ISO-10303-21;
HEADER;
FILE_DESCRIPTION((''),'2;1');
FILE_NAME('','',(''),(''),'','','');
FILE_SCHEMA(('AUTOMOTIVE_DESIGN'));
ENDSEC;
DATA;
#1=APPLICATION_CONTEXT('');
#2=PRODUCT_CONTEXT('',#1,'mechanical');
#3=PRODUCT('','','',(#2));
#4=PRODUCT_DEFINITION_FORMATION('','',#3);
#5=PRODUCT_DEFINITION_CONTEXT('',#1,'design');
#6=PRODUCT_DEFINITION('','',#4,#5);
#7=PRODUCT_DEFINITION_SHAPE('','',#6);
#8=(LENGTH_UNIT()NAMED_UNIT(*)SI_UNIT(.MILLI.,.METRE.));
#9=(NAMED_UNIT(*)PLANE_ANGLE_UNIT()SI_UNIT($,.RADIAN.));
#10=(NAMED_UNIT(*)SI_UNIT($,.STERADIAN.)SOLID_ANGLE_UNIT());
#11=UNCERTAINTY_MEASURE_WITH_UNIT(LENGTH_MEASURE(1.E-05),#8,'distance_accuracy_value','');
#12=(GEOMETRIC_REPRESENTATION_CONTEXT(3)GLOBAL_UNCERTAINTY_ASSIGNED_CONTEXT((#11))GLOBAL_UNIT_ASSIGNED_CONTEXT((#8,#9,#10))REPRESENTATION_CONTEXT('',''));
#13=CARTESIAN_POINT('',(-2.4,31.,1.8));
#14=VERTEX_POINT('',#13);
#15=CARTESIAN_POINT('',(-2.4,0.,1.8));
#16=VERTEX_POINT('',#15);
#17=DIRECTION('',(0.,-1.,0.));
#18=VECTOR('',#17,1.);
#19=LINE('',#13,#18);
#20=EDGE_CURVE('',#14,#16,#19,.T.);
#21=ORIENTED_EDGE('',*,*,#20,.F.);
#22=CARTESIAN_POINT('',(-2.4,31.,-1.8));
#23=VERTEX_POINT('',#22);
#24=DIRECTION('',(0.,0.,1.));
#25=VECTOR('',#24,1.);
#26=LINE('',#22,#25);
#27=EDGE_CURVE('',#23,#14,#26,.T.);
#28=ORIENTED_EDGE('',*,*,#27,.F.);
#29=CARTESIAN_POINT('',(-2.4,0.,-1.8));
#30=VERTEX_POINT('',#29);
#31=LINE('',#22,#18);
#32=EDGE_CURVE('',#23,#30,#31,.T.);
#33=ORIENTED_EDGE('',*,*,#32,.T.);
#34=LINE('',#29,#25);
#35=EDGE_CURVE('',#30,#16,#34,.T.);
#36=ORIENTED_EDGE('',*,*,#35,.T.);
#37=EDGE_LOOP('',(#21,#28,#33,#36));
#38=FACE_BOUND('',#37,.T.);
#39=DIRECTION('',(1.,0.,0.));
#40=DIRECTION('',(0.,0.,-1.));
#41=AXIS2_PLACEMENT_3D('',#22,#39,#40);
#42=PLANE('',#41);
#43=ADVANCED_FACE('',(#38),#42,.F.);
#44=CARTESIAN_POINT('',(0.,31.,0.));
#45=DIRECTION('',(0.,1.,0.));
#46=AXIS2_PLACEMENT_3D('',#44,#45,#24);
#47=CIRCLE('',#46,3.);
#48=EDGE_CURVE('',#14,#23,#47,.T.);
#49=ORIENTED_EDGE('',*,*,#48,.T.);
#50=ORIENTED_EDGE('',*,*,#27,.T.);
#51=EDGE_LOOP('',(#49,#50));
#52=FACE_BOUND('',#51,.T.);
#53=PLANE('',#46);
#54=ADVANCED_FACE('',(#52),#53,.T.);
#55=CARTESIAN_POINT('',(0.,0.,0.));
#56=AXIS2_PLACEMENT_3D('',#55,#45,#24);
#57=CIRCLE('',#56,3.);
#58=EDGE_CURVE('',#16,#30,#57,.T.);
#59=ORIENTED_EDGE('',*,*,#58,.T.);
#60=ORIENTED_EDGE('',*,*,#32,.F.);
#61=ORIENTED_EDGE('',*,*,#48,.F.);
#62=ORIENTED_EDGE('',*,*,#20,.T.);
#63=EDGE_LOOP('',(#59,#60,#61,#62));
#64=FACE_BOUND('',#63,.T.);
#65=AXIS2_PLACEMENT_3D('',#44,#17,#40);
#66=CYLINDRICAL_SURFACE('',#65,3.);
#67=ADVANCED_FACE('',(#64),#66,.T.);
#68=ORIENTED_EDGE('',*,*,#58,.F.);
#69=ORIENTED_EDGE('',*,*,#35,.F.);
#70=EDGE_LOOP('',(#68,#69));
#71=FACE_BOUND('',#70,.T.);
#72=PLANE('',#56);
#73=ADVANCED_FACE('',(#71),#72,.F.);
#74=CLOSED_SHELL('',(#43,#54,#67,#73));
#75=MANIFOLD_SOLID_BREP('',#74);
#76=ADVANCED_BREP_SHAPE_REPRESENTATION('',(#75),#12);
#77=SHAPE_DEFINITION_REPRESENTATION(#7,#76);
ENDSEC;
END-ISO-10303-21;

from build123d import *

# Parameters (mm, degrees)
BOSS_EXTRUDE1_DEPTH = 31


with BuildPart() as part:
    # Sketch2 → Boss-Extrude1 (new body)
    with BuildSketch(Plane(origin=(0, 0, 0), x_dir=(1, 0, 0), z_dir=(0, 1, 0))):
        with BuildLine():
            Line((-2.4, 1.8), (-2.4, -1.8))
            ThreePointArc((-2.4, -1.8), (3, 0), (-2.4, 1.8))
        make_face()
    extrude(amount=BOSS_EXTRUDE1_DEPTH)


solid = part.part
